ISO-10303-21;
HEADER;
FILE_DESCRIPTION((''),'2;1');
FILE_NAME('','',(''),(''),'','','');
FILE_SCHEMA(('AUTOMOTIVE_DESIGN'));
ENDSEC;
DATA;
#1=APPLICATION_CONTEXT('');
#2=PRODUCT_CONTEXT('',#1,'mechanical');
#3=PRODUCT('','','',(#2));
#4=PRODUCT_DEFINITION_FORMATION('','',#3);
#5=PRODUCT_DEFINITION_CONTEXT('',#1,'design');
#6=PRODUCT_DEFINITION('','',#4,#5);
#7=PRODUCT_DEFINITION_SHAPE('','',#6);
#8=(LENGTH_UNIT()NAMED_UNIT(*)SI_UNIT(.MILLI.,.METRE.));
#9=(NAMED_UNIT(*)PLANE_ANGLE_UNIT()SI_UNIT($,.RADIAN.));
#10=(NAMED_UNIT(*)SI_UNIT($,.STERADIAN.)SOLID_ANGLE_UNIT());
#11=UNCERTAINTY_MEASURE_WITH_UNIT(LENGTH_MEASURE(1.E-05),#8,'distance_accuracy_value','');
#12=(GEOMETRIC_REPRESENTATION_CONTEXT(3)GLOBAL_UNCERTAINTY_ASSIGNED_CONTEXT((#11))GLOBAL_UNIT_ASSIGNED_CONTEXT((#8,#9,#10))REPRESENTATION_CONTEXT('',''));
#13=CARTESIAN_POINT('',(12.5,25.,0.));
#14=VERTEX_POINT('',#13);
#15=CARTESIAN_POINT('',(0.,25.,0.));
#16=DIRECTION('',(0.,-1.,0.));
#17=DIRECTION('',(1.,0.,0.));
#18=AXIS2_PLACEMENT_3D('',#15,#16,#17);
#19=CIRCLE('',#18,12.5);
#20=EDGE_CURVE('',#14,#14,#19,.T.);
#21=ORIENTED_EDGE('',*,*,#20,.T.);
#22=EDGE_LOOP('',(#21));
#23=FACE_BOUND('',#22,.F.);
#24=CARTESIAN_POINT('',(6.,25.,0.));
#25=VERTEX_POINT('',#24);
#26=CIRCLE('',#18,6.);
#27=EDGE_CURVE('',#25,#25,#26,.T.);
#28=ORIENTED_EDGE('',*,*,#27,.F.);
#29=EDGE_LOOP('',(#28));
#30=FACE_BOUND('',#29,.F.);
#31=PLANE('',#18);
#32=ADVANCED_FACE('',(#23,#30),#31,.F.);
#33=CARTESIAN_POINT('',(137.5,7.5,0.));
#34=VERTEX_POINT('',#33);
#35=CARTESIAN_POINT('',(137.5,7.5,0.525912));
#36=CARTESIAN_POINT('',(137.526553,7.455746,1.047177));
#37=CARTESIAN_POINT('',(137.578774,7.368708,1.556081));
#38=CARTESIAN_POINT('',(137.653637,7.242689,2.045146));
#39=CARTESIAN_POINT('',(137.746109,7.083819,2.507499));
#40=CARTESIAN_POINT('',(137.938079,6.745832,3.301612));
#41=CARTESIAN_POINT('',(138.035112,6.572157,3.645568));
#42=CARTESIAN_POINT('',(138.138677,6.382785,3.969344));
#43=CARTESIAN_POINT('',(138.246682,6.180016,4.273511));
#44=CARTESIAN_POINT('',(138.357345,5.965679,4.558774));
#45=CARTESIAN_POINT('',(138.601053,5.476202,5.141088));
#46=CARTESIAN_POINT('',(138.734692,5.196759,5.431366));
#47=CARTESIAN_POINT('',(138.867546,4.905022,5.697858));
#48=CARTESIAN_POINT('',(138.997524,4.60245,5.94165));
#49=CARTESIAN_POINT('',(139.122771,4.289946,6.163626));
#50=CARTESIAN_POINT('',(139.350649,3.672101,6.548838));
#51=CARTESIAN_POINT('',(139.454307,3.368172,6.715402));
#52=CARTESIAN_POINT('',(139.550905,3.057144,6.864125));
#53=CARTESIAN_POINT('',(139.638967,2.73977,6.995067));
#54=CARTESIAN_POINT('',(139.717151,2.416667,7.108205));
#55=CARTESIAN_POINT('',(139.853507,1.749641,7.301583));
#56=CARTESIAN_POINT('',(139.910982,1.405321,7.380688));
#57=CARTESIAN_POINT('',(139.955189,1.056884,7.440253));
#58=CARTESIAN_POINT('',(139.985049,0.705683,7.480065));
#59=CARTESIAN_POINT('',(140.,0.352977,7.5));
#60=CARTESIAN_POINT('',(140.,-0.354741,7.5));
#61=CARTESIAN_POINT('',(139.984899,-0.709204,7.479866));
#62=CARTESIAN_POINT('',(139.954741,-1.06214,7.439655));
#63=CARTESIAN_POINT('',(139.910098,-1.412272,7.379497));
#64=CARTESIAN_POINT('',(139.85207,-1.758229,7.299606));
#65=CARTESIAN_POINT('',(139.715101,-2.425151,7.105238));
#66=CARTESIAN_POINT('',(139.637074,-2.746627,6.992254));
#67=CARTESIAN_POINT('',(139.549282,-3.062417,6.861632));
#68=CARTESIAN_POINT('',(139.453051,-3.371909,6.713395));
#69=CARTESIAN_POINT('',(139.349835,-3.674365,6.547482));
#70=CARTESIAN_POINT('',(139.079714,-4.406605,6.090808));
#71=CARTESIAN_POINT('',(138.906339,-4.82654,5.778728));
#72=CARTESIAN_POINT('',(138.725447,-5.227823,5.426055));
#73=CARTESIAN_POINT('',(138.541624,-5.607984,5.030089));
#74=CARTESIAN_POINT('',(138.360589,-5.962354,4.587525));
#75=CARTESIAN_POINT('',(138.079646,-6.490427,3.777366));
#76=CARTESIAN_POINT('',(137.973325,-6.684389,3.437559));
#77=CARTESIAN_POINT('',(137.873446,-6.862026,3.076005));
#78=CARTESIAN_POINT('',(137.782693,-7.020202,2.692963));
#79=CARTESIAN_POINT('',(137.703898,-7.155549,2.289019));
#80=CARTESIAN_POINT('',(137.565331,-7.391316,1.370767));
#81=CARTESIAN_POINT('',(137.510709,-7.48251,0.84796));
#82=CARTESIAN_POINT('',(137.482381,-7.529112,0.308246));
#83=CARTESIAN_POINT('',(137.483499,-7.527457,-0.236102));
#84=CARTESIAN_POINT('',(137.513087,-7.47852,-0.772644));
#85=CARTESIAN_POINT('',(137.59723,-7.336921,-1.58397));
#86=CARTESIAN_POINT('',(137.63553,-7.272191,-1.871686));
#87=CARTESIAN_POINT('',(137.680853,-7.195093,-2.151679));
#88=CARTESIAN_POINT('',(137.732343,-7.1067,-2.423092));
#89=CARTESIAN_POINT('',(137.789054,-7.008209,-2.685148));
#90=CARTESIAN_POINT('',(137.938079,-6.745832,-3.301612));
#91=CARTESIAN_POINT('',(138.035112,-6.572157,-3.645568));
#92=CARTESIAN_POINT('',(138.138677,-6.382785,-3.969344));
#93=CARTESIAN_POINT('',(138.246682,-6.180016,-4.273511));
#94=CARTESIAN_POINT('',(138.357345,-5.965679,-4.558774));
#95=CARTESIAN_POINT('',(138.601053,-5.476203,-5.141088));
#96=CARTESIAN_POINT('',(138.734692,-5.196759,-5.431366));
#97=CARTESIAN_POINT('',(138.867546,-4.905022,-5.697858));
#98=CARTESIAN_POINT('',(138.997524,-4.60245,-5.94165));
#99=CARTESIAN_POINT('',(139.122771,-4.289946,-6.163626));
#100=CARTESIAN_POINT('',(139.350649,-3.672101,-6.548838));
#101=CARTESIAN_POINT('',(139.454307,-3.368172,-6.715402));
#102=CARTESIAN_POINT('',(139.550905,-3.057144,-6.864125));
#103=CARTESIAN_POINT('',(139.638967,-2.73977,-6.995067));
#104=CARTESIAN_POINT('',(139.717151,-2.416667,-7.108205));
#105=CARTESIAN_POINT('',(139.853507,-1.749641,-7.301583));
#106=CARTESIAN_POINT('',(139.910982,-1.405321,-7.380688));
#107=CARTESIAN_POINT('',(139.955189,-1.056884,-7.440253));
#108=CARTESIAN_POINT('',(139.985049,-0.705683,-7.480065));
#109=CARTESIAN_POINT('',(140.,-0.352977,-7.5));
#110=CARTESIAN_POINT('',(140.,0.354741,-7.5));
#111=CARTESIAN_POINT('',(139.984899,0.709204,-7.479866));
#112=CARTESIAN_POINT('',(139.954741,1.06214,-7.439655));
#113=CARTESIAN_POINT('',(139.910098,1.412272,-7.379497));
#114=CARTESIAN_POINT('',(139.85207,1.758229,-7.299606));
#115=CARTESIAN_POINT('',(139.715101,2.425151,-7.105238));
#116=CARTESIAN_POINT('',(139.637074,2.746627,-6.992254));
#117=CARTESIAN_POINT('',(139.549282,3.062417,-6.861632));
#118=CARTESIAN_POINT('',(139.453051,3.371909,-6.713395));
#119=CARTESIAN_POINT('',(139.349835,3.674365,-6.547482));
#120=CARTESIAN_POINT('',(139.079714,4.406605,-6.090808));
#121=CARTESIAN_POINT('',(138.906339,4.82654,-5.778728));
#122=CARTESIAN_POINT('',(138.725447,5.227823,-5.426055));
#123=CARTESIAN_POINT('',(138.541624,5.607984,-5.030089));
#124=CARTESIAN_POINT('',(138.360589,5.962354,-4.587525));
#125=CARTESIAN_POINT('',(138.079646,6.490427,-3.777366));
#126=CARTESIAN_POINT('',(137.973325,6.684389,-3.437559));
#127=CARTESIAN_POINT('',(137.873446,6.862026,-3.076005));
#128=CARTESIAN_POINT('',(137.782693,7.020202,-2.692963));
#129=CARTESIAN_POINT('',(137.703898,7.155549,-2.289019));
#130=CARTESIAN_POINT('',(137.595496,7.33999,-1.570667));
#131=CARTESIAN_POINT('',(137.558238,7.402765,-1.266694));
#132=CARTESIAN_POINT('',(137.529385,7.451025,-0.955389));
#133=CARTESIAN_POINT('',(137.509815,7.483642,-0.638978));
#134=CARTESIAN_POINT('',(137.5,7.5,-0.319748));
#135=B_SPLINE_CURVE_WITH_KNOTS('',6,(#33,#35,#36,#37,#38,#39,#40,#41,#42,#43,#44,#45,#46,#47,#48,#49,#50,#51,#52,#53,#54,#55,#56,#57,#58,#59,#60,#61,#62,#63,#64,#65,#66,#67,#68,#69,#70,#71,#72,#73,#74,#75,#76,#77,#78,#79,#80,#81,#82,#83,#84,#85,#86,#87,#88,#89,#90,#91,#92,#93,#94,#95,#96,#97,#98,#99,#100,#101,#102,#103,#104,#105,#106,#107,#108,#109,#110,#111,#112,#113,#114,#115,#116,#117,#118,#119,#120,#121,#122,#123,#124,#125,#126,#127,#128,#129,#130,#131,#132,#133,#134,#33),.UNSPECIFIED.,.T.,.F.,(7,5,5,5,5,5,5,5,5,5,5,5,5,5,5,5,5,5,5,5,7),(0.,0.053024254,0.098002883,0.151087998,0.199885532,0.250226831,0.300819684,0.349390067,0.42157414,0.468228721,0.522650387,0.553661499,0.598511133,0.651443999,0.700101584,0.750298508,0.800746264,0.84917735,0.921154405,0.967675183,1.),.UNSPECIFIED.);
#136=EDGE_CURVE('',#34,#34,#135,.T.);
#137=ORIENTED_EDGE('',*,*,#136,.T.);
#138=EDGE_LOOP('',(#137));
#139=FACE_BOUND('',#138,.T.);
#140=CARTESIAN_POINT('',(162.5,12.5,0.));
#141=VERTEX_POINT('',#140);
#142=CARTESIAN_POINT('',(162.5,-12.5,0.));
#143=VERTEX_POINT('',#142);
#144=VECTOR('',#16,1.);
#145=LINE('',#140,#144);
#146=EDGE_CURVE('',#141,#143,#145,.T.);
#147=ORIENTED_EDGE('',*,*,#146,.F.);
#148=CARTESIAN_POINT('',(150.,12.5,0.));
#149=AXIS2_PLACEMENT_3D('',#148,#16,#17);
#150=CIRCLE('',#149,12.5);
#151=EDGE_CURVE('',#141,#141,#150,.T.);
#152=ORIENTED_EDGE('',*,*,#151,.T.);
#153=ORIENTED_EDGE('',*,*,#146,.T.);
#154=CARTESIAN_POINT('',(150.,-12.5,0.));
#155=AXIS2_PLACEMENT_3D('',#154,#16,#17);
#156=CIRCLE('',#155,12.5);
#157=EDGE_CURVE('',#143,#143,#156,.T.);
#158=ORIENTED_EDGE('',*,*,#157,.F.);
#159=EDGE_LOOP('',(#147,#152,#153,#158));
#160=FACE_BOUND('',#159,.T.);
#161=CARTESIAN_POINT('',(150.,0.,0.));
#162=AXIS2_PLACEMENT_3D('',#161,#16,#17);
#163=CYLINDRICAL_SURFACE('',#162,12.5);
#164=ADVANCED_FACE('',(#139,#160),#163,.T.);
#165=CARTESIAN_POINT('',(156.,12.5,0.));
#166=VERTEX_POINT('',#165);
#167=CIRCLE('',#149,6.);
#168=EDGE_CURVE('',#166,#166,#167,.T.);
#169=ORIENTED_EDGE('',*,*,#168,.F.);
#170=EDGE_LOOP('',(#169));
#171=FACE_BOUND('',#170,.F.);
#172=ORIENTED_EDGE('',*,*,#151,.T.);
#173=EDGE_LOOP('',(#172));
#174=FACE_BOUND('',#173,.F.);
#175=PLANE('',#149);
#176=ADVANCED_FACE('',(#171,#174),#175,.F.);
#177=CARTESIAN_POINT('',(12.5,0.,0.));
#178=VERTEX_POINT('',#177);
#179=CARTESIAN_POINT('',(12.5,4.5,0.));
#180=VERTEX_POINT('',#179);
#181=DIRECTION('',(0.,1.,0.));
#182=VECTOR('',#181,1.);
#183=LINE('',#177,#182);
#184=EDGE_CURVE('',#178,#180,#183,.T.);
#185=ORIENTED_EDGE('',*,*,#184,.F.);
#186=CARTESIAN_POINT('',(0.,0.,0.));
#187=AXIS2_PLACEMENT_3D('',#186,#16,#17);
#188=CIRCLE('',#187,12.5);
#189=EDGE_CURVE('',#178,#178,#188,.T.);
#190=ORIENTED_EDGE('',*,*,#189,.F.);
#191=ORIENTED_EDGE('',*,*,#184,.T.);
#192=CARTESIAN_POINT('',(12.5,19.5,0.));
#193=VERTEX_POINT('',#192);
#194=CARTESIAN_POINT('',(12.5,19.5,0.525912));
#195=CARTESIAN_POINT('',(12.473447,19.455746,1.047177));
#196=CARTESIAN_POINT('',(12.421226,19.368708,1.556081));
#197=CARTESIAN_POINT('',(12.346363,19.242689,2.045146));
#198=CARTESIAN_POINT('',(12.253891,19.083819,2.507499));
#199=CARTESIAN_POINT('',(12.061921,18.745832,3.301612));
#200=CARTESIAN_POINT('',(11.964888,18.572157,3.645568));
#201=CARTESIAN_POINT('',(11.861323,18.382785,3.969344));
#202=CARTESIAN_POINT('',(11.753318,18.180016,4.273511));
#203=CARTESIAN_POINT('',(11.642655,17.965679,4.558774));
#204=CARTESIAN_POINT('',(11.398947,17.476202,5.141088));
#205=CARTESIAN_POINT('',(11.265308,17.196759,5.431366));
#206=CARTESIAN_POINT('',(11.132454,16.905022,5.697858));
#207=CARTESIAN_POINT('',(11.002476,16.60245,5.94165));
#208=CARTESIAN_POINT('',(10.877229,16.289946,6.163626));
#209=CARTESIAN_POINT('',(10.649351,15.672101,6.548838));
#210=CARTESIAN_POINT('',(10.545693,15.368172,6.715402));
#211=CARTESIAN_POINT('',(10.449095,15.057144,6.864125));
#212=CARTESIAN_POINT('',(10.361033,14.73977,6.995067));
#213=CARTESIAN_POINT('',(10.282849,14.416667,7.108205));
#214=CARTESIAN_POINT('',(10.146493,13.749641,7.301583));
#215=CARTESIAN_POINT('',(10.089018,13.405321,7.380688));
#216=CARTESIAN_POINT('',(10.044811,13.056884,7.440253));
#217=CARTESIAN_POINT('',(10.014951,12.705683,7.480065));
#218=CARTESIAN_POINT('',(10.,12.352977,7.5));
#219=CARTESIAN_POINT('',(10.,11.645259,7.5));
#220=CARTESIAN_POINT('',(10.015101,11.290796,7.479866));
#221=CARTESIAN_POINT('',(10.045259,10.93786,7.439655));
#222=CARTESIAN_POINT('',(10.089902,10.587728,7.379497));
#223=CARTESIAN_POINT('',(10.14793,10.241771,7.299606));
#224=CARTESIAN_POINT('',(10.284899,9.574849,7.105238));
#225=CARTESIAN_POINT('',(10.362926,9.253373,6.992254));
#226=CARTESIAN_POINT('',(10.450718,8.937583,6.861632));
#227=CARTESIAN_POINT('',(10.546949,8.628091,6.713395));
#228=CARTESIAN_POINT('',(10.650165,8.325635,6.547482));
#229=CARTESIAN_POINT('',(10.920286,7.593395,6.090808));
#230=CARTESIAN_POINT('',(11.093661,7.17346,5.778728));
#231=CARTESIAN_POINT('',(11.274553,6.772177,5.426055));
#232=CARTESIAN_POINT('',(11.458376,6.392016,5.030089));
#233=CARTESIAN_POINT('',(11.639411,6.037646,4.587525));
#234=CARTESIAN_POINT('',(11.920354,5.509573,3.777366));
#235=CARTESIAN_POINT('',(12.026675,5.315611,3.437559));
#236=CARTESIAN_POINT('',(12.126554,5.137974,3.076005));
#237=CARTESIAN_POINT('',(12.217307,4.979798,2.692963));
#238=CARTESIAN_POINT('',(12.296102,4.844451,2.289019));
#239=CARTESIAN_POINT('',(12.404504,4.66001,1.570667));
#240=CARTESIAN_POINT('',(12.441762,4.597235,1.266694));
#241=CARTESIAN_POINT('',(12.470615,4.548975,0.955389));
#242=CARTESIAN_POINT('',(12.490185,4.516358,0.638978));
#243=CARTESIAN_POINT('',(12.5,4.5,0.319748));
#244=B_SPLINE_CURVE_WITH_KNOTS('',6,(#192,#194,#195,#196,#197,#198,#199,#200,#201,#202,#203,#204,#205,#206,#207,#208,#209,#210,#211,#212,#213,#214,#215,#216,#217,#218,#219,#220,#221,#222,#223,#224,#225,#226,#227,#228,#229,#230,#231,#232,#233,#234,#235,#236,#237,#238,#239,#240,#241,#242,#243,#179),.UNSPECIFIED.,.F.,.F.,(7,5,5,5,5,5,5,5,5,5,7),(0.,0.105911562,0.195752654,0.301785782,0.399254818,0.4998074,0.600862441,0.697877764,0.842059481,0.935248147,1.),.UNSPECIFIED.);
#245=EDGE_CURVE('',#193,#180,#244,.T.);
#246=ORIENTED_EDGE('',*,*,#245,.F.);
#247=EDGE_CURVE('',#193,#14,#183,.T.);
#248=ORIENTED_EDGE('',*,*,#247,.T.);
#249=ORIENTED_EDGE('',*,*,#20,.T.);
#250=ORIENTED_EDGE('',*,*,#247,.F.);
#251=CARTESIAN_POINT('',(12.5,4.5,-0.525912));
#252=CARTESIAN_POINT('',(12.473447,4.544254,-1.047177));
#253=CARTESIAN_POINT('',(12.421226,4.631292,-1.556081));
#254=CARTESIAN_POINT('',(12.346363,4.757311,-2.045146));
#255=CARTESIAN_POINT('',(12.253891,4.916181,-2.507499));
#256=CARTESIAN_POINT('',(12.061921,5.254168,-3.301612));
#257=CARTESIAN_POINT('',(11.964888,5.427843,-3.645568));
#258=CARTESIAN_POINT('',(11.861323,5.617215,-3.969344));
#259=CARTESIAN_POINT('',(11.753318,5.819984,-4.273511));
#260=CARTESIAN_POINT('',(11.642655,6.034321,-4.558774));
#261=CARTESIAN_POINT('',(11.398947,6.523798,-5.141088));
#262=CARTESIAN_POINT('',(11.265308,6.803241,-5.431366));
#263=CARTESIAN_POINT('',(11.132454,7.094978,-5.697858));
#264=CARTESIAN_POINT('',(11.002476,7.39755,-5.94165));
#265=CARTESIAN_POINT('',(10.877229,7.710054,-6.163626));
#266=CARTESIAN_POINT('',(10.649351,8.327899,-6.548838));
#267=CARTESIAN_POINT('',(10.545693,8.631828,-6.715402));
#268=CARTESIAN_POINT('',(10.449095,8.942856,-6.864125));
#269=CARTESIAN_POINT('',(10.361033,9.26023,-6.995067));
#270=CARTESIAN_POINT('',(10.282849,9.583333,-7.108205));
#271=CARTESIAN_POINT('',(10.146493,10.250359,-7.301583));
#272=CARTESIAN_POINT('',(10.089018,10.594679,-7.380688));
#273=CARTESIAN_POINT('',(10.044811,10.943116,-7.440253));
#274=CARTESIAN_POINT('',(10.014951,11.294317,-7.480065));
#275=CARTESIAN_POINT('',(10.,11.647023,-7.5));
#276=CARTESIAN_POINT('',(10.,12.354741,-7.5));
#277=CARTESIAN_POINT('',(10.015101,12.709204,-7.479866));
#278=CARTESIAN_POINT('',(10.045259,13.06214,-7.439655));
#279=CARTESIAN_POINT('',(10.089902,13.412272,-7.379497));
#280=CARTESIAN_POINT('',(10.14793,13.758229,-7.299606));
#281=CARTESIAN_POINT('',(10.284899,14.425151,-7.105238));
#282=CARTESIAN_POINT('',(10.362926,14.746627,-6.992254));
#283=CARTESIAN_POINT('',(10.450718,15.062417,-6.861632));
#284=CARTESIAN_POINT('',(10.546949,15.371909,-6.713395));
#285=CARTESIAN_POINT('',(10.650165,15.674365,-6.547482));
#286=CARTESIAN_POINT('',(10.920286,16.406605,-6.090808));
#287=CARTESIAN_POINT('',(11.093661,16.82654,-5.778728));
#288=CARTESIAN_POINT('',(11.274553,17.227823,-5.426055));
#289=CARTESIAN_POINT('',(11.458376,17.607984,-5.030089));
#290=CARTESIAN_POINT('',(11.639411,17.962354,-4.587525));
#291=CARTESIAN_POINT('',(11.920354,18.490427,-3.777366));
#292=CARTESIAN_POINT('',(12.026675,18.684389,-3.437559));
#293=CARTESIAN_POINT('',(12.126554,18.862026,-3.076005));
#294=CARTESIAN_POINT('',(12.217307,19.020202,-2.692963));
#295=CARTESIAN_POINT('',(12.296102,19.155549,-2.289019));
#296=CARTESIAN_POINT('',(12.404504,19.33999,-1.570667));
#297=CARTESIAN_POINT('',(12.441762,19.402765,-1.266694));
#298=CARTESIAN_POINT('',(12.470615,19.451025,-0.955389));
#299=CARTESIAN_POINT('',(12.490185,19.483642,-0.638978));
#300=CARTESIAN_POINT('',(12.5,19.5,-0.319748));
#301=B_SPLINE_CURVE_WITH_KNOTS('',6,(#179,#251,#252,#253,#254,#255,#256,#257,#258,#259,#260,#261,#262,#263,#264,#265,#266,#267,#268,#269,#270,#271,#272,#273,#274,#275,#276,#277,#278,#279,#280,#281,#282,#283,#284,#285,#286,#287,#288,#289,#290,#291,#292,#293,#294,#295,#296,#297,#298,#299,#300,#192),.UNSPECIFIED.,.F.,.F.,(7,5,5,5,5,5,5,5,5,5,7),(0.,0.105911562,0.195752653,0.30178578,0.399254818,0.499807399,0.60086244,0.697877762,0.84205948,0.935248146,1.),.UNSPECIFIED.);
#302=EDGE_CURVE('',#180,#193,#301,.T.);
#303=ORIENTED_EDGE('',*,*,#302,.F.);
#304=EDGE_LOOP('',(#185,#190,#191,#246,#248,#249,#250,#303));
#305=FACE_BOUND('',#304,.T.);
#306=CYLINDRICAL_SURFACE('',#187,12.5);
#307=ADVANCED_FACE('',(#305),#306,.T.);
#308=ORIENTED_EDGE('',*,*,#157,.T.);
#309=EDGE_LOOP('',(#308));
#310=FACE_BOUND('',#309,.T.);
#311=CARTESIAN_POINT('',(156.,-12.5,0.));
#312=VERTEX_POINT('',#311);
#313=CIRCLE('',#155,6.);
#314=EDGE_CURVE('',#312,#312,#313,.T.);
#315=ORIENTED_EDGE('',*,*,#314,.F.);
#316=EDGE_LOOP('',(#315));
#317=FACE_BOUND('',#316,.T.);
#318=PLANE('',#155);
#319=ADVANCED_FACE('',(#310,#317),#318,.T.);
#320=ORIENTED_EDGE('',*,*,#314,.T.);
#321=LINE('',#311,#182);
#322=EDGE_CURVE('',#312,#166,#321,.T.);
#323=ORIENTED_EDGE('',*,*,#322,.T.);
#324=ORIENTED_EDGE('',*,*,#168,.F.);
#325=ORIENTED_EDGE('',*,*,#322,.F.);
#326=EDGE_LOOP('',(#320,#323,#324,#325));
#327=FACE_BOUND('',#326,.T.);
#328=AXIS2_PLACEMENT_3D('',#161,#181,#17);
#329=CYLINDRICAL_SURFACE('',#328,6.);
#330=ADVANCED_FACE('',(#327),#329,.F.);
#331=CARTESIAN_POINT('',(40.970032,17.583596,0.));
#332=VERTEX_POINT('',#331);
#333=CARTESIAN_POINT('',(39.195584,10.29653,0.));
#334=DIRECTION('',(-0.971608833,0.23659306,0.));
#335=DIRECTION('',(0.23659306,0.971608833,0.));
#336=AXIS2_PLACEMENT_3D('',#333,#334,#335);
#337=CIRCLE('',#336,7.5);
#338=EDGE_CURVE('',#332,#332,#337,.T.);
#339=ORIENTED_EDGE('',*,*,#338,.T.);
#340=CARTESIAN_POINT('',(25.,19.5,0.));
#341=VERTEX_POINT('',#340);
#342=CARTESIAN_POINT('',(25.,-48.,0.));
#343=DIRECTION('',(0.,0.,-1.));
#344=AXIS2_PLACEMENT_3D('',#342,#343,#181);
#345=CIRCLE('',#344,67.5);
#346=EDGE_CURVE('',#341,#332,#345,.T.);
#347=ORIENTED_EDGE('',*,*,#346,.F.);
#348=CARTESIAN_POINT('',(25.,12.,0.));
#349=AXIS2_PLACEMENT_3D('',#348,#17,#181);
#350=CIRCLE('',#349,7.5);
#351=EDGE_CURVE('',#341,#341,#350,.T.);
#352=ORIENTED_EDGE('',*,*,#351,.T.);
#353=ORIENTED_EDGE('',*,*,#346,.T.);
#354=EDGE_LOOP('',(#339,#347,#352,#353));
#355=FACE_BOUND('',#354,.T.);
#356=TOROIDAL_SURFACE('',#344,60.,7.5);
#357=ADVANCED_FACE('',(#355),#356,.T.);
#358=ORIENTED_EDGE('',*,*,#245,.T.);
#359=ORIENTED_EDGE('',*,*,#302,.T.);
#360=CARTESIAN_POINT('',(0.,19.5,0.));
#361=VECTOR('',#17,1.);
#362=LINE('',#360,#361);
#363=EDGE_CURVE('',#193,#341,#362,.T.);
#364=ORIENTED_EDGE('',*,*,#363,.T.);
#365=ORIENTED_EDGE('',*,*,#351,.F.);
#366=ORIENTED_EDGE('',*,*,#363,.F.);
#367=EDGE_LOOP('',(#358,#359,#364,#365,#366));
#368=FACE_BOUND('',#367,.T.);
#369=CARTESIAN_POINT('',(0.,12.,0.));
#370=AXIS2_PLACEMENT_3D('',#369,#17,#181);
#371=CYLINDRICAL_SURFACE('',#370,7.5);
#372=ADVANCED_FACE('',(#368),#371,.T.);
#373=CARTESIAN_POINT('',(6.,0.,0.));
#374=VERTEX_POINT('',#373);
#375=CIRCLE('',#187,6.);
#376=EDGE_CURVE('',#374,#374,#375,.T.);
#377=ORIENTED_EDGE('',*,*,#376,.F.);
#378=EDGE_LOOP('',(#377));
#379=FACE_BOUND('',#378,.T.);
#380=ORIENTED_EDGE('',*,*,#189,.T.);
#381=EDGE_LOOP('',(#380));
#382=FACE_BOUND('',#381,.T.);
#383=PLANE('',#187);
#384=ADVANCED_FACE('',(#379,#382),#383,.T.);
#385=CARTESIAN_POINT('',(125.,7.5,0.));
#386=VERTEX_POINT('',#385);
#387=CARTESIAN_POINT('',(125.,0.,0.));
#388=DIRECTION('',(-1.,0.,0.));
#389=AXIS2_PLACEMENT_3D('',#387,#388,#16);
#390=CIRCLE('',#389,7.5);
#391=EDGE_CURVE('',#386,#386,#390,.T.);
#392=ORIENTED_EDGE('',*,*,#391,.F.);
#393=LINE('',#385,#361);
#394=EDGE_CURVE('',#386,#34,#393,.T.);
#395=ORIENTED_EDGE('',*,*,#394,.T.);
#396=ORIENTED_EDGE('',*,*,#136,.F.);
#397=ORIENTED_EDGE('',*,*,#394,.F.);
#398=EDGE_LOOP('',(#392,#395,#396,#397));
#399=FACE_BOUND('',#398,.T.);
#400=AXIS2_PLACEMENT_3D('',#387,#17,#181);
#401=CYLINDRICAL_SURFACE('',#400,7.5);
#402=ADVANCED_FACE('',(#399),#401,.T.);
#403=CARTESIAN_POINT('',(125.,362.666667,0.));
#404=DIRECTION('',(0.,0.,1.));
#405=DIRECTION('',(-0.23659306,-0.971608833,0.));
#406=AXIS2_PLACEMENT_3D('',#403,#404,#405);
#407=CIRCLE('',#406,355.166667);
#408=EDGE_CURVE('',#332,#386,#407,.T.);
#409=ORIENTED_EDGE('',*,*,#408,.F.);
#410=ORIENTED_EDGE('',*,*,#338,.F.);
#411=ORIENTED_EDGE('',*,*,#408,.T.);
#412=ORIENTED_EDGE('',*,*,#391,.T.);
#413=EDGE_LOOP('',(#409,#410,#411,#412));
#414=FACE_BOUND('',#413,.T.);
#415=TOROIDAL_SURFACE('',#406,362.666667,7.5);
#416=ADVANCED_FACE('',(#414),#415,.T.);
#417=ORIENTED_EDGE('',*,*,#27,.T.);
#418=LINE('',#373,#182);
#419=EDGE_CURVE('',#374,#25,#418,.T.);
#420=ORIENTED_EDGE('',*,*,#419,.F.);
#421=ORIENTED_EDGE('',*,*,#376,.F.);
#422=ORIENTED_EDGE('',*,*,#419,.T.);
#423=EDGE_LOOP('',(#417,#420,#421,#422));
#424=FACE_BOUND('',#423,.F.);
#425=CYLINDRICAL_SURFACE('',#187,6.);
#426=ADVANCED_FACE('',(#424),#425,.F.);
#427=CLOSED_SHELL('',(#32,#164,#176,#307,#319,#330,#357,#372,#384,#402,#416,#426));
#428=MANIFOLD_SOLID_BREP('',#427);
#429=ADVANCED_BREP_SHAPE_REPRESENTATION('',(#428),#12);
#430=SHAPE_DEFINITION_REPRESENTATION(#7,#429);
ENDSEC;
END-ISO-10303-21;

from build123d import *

# Parameters (mm, degrees)
F1_R     = 7.5
F3_R     = 6
F4_DEPTH = 12.5
F3_R_2   = 12.5
F5_DEPTH = 12.5
F6_DEPTH = 25
F7_DEPTH = 25.0010001


with BuildPart() as f2:
    # F2: sweep along a path in F0
    with BuildLine(Plane.XY) as f2_path:
        Line((0, 12), (25, 12))
        ThreePointArc((25, 12), (32.1487132371, 11.5726103092), (39.1955835962, 10.2965299685))
        ThreePointArc((39.1955835962, 10.2965299685), (81.789999989, 2.5833332421), (125, 0))
        Line((125, 0), (150, 0))
    # F1 (on Right) → F2 (sweep)
    with BuildSketch(Plane.YZ):
        with Locations((12, 0)):
            Circle(F1_R)
    sweep(path=f2_path.line)

    # F3 (on Front) → F4 (cut, symmetric)
    with BuildSketch(Plane.XZ):
        with Locations((150, 0)):
            Circle(F3_R)
    extrude(amount=F4_DEPTH, both=True, mode=Mode.SUBTRACT)

    # F3 (on Front) → F5 (join, symmetric)
    with BuildSketch(Plane.XZ):
        with Locations((150, 0)):
            Circle(F3_R_2)
        with Locations((150, 0)):
            Circle(F3_R, mode=Mode.SUBTRACT)
    extrude(amount=F5_DEPTH, both=True)

    # F3 (on Front) → F6 (join)
    with BuildSketch(Plane.XZ):
        Circle(F3_R_2)
        Circle(F3_R, mode=Mode.SUBTRACT)
    extrude(amount=-F6_DEPTH)

    # F3 (on Front) → F7 (cut, through all)
    with BuildSketch(Plane.XZ):
        Circle(F3_R)
    extrude(amount=-F7_DEPTH, mode=Mode.SUBTRACT)


solid = f2.part
